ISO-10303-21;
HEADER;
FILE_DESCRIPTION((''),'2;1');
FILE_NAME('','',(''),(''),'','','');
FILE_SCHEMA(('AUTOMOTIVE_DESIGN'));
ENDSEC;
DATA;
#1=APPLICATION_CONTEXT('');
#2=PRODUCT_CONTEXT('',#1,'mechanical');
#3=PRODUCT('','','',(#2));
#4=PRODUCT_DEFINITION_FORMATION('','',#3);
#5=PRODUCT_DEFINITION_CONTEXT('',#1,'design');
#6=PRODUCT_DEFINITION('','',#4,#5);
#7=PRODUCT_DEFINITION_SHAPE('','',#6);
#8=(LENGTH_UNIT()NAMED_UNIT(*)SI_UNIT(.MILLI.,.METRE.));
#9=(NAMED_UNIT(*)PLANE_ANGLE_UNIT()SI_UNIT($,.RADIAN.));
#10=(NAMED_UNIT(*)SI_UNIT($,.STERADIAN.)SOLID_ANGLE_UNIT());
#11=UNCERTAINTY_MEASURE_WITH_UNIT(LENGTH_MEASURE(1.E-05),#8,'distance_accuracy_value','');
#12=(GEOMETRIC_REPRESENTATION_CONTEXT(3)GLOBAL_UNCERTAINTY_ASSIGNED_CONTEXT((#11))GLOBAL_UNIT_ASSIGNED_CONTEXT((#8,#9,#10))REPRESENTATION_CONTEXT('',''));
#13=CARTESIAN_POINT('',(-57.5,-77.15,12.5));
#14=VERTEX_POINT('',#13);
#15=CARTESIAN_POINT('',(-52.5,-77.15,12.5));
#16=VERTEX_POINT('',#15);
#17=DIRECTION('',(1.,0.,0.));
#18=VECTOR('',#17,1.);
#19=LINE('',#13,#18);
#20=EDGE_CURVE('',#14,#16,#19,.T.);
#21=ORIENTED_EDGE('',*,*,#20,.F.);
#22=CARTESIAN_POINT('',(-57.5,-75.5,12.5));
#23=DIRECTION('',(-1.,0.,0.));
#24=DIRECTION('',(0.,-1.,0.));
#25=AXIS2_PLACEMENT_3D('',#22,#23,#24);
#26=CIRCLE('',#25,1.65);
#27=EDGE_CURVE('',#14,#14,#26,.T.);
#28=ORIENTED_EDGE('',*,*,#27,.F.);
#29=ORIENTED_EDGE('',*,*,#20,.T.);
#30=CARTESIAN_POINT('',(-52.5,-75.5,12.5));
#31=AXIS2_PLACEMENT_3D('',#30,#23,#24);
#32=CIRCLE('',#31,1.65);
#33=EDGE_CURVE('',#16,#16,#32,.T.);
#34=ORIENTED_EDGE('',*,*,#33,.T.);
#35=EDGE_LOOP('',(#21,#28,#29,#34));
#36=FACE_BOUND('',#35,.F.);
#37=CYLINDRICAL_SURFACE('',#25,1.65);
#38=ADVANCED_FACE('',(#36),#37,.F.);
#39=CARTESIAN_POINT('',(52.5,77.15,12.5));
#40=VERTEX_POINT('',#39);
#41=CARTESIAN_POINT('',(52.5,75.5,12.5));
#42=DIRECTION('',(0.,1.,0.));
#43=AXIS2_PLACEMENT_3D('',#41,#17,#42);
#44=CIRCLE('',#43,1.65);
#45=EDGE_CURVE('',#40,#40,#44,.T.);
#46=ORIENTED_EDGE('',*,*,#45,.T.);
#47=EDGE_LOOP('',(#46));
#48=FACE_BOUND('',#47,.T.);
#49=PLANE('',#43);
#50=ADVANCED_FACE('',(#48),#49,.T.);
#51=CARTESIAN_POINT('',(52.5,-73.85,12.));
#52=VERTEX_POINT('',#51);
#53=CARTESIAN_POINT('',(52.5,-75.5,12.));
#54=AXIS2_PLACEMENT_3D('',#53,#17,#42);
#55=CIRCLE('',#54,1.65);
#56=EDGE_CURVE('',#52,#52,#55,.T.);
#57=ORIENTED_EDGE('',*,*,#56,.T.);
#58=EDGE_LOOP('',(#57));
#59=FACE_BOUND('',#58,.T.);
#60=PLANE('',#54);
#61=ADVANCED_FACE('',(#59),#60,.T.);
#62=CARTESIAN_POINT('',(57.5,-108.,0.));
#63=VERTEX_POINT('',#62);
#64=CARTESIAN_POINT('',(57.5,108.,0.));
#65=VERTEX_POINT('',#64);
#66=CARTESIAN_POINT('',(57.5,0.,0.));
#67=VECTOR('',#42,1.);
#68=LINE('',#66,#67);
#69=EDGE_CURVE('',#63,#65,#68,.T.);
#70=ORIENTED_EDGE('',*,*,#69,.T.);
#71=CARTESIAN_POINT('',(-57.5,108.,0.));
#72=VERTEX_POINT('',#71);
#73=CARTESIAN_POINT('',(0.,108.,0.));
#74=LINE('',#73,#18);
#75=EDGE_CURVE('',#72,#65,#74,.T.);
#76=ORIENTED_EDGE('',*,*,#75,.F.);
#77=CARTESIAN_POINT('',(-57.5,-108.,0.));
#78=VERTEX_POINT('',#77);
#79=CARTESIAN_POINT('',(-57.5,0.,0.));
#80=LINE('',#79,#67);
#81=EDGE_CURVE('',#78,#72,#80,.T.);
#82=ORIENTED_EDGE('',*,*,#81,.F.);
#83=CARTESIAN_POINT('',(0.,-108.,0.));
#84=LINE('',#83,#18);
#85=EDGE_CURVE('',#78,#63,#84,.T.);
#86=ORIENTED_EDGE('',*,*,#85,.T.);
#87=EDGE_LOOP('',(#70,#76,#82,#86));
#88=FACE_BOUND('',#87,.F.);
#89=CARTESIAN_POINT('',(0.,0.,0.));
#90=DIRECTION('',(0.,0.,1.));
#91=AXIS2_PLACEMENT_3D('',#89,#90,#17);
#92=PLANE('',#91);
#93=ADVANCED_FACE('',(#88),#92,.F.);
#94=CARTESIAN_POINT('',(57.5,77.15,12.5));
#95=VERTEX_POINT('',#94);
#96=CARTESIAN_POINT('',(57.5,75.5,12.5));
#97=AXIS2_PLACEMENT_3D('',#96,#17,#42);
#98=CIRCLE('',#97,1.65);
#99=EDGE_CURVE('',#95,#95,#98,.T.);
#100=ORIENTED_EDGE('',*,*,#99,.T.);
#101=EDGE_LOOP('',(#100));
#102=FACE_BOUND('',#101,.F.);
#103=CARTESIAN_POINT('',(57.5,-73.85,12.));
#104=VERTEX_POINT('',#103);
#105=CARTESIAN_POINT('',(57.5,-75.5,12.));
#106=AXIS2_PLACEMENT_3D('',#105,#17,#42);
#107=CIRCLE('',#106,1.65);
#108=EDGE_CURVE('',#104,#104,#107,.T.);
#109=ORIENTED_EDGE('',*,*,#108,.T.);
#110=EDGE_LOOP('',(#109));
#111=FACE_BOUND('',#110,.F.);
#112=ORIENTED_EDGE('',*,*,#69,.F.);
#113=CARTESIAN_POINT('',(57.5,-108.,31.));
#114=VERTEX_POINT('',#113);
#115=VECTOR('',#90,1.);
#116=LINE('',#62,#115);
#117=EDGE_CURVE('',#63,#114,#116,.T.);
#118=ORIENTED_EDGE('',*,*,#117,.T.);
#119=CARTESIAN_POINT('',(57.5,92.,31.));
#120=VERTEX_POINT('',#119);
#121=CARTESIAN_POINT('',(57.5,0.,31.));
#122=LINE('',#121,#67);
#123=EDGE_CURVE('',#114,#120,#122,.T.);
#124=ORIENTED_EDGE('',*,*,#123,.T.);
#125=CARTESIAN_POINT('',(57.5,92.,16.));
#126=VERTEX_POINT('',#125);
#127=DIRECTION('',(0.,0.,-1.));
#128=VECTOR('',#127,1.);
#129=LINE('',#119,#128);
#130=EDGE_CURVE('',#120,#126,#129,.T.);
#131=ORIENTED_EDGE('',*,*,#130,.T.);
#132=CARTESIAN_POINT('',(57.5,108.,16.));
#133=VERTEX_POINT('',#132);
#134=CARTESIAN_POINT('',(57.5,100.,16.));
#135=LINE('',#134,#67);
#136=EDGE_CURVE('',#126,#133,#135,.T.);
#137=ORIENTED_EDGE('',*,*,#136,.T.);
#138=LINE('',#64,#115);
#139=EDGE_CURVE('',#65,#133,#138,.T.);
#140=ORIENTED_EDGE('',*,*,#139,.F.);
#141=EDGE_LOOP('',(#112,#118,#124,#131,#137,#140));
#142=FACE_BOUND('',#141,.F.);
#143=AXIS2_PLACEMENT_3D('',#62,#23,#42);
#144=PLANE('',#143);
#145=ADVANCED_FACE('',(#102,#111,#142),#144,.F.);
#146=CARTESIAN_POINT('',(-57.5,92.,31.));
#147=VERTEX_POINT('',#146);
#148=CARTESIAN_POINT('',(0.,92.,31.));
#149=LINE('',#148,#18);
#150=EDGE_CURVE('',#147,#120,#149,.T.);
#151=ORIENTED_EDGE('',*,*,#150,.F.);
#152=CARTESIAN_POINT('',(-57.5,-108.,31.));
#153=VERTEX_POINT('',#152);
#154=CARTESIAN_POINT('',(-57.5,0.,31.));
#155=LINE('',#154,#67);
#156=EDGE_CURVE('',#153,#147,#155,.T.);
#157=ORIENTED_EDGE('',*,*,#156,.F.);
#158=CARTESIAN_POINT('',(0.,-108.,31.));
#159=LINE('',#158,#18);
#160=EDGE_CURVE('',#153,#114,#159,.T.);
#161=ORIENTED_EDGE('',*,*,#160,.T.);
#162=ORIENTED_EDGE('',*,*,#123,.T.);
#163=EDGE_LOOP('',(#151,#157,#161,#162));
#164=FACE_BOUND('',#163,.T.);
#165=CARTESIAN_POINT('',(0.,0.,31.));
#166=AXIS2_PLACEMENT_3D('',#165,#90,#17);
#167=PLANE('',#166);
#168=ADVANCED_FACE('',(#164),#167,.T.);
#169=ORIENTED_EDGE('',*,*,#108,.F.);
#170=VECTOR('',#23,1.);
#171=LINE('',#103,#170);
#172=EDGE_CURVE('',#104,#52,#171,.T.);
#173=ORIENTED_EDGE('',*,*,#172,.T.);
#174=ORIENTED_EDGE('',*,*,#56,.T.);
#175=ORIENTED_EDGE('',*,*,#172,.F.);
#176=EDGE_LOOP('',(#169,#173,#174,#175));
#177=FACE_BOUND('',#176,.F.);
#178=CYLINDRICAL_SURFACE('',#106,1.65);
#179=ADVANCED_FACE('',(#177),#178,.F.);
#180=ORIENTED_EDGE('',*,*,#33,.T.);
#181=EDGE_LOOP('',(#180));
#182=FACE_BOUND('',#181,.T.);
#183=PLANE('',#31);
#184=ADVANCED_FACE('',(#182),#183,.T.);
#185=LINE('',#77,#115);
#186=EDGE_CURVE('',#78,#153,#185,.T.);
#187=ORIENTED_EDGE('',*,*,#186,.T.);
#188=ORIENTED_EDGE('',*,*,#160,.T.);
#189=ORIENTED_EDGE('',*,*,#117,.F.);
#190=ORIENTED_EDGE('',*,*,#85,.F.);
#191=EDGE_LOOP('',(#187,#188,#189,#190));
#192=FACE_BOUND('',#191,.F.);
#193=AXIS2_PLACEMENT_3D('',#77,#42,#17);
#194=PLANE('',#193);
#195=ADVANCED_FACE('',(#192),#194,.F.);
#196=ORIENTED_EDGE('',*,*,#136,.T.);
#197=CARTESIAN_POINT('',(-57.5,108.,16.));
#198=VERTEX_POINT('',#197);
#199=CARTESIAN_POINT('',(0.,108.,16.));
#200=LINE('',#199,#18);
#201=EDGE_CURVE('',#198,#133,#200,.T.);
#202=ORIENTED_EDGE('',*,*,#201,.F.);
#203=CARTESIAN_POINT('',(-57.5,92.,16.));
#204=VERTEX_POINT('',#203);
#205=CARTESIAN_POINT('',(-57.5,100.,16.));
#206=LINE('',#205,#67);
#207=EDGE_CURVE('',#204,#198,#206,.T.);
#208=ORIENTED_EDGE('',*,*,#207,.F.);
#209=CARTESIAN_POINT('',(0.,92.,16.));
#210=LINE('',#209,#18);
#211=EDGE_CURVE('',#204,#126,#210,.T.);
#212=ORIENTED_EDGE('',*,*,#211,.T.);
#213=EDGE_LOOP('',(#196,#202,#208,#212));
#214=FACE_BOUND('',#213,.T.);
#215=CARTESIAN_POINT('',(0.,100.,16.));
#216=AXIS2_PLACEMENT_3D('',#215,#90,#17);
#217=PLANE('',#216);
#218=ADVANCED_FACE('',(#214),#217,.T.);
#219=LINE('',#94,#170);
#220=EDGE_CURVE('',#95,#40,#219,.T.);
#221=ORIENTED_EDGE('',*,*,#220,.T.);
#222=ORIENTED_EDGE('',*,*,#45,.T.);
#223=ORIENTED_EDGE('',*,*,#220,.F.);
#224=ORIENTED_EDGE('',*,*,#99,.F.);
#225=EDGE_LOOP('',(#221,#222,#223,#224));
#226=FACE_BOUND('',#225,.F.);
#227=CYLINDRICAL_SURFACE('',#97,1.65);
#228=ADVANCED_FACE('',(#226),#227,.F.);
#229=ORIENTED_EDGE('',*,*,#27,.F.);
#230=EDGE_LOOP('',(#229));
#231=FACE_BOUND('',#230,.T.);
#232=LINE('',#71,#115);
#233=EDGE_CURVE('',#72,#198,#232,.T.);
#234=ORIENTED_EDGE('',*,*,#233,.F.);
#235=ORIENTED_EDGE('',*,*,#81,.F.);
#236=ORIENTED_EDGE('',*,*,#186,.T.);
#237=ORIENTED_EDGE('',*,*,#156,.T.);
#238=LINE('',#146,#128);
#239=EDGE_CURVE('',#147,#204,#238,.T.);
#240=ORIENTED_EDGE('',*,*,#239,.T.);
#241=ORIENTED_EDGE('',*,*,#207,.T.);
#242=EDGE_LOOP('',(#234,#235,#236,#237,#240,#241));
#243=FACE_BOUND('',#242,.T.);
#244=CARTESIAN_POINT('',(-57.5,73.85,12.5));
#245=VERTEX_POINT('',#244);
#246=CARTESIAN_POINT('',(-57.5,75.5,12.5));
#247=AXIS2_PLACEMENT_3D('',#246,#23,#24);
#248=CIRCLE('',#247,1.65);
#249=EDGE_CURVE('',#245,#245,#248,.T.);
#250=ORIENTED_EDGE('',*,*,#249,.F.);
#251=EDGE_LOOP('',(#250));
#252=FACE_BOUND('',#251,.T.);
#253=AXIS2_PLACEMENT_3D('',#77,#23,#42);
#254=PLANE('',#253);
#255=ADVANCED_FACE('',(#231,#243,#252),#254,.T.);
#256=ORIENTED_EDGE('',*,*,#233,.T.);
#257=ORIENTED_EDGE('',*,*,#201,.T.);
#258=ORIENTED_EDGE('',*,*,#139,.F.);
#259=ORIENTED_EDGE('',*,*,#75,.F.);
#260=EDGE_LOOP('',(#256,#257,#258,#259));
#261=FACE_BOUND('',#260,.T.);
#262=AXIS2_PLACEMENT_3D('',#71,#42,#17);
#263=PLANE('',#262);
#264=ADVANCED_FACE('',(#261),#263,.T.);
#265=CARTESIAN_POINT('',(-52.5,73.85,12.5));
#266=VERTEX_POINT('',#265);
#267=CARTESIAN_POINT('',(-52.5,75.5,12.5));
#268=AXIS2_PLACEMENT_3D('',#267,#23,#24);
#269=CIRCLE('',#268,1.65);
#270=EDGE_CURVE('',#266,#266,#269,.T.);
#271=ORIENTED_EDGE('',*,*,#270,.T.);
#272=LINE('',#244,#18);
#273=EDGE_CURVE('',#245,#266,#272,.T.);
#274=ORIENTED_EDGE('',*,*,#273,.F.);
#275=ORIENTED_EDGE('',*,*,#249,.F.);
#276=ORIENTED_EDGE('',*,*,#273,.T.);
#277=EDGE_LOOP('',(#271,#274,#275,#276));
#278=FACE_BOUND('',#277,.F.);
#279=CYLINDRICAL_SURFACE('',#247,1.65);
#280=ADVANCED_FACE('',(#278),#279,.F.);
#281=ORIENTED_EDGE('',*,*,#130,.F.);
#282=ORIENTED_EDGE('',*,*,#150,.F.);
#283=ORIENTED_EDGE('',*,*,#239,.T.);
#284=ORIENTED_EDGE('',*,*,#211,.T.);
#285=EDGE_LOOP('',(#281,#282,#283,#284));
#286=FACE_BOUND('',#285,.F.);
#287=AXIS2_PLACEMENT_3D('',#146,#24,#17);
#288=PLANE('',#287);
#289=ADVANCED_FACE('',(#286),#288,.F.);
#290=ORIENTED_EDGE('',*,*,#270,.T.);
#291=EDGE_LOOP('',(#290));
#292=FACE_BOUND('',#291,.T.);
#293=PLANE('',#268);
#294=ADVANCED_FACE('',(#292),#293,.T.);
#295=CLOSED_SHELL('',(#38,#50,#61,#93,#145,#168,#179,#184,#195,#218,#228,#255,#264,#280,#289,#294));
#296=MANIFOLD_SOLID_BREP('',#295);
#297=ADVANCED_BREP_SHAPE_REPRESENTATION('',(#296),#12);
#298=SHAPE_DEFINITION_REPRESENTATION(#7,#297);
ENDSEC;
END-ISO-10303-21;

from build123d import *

# Parameters (mm, degrees)
F0_W      = 115
F0_H      = 216
F1_DEPTH  = 31
F3_W      = 115
F3_H      = 16
F4_DEPTH  = 15
F6_R      = 1.65
F7_DEPTH  = 5
F9_R      = 1.65
F10_DEPTH = 5


with BuildPart() as f1:
    # F0 (on Top) → F1 (new body)
    with BuildSketch(Plane.XY):
        Rectangle(F0_W, F0_H)
    extrude(amount=F1_DEPTH)

    # F3 (on offset) → F4 (cut)
    with BuildSketch(Plane.XY.offset(31)):
        with Locations((0, 100)):
            Rectangle(F3_W, F3_H)
    extrude(amount=-F4_DEPTH, mode=Mode.SUBTRACT)

    # F6 (on offset) → F7 (cut)
    with BuildSketch(Plane.YZ.offset(57.5)):
        with Locations((-75.5, 12)):
            Circle(F6_R)
        with Locations((75.5, 12.5)):
            Circle(F6_R)
    extrude(amount=-F7_DEPTH, mode=Mode.SUBTRACT)

    # F9 (on offset) → F10 (cut)
    with BuildSketch(Plane(origin=(-57.5, 0, 0), x_dir=(0, -1, 0), z_dir=(-1, 0, 0))):
        with Locations((75.5, 12.5)):
            Circle(F9_R)
        with Locations((-75.5, 12.5)):
            Circle(F9_R)
    extrude(amount=-F10_DEPTH, mode=Mode.SUBTRACT)


solid = f1.part
